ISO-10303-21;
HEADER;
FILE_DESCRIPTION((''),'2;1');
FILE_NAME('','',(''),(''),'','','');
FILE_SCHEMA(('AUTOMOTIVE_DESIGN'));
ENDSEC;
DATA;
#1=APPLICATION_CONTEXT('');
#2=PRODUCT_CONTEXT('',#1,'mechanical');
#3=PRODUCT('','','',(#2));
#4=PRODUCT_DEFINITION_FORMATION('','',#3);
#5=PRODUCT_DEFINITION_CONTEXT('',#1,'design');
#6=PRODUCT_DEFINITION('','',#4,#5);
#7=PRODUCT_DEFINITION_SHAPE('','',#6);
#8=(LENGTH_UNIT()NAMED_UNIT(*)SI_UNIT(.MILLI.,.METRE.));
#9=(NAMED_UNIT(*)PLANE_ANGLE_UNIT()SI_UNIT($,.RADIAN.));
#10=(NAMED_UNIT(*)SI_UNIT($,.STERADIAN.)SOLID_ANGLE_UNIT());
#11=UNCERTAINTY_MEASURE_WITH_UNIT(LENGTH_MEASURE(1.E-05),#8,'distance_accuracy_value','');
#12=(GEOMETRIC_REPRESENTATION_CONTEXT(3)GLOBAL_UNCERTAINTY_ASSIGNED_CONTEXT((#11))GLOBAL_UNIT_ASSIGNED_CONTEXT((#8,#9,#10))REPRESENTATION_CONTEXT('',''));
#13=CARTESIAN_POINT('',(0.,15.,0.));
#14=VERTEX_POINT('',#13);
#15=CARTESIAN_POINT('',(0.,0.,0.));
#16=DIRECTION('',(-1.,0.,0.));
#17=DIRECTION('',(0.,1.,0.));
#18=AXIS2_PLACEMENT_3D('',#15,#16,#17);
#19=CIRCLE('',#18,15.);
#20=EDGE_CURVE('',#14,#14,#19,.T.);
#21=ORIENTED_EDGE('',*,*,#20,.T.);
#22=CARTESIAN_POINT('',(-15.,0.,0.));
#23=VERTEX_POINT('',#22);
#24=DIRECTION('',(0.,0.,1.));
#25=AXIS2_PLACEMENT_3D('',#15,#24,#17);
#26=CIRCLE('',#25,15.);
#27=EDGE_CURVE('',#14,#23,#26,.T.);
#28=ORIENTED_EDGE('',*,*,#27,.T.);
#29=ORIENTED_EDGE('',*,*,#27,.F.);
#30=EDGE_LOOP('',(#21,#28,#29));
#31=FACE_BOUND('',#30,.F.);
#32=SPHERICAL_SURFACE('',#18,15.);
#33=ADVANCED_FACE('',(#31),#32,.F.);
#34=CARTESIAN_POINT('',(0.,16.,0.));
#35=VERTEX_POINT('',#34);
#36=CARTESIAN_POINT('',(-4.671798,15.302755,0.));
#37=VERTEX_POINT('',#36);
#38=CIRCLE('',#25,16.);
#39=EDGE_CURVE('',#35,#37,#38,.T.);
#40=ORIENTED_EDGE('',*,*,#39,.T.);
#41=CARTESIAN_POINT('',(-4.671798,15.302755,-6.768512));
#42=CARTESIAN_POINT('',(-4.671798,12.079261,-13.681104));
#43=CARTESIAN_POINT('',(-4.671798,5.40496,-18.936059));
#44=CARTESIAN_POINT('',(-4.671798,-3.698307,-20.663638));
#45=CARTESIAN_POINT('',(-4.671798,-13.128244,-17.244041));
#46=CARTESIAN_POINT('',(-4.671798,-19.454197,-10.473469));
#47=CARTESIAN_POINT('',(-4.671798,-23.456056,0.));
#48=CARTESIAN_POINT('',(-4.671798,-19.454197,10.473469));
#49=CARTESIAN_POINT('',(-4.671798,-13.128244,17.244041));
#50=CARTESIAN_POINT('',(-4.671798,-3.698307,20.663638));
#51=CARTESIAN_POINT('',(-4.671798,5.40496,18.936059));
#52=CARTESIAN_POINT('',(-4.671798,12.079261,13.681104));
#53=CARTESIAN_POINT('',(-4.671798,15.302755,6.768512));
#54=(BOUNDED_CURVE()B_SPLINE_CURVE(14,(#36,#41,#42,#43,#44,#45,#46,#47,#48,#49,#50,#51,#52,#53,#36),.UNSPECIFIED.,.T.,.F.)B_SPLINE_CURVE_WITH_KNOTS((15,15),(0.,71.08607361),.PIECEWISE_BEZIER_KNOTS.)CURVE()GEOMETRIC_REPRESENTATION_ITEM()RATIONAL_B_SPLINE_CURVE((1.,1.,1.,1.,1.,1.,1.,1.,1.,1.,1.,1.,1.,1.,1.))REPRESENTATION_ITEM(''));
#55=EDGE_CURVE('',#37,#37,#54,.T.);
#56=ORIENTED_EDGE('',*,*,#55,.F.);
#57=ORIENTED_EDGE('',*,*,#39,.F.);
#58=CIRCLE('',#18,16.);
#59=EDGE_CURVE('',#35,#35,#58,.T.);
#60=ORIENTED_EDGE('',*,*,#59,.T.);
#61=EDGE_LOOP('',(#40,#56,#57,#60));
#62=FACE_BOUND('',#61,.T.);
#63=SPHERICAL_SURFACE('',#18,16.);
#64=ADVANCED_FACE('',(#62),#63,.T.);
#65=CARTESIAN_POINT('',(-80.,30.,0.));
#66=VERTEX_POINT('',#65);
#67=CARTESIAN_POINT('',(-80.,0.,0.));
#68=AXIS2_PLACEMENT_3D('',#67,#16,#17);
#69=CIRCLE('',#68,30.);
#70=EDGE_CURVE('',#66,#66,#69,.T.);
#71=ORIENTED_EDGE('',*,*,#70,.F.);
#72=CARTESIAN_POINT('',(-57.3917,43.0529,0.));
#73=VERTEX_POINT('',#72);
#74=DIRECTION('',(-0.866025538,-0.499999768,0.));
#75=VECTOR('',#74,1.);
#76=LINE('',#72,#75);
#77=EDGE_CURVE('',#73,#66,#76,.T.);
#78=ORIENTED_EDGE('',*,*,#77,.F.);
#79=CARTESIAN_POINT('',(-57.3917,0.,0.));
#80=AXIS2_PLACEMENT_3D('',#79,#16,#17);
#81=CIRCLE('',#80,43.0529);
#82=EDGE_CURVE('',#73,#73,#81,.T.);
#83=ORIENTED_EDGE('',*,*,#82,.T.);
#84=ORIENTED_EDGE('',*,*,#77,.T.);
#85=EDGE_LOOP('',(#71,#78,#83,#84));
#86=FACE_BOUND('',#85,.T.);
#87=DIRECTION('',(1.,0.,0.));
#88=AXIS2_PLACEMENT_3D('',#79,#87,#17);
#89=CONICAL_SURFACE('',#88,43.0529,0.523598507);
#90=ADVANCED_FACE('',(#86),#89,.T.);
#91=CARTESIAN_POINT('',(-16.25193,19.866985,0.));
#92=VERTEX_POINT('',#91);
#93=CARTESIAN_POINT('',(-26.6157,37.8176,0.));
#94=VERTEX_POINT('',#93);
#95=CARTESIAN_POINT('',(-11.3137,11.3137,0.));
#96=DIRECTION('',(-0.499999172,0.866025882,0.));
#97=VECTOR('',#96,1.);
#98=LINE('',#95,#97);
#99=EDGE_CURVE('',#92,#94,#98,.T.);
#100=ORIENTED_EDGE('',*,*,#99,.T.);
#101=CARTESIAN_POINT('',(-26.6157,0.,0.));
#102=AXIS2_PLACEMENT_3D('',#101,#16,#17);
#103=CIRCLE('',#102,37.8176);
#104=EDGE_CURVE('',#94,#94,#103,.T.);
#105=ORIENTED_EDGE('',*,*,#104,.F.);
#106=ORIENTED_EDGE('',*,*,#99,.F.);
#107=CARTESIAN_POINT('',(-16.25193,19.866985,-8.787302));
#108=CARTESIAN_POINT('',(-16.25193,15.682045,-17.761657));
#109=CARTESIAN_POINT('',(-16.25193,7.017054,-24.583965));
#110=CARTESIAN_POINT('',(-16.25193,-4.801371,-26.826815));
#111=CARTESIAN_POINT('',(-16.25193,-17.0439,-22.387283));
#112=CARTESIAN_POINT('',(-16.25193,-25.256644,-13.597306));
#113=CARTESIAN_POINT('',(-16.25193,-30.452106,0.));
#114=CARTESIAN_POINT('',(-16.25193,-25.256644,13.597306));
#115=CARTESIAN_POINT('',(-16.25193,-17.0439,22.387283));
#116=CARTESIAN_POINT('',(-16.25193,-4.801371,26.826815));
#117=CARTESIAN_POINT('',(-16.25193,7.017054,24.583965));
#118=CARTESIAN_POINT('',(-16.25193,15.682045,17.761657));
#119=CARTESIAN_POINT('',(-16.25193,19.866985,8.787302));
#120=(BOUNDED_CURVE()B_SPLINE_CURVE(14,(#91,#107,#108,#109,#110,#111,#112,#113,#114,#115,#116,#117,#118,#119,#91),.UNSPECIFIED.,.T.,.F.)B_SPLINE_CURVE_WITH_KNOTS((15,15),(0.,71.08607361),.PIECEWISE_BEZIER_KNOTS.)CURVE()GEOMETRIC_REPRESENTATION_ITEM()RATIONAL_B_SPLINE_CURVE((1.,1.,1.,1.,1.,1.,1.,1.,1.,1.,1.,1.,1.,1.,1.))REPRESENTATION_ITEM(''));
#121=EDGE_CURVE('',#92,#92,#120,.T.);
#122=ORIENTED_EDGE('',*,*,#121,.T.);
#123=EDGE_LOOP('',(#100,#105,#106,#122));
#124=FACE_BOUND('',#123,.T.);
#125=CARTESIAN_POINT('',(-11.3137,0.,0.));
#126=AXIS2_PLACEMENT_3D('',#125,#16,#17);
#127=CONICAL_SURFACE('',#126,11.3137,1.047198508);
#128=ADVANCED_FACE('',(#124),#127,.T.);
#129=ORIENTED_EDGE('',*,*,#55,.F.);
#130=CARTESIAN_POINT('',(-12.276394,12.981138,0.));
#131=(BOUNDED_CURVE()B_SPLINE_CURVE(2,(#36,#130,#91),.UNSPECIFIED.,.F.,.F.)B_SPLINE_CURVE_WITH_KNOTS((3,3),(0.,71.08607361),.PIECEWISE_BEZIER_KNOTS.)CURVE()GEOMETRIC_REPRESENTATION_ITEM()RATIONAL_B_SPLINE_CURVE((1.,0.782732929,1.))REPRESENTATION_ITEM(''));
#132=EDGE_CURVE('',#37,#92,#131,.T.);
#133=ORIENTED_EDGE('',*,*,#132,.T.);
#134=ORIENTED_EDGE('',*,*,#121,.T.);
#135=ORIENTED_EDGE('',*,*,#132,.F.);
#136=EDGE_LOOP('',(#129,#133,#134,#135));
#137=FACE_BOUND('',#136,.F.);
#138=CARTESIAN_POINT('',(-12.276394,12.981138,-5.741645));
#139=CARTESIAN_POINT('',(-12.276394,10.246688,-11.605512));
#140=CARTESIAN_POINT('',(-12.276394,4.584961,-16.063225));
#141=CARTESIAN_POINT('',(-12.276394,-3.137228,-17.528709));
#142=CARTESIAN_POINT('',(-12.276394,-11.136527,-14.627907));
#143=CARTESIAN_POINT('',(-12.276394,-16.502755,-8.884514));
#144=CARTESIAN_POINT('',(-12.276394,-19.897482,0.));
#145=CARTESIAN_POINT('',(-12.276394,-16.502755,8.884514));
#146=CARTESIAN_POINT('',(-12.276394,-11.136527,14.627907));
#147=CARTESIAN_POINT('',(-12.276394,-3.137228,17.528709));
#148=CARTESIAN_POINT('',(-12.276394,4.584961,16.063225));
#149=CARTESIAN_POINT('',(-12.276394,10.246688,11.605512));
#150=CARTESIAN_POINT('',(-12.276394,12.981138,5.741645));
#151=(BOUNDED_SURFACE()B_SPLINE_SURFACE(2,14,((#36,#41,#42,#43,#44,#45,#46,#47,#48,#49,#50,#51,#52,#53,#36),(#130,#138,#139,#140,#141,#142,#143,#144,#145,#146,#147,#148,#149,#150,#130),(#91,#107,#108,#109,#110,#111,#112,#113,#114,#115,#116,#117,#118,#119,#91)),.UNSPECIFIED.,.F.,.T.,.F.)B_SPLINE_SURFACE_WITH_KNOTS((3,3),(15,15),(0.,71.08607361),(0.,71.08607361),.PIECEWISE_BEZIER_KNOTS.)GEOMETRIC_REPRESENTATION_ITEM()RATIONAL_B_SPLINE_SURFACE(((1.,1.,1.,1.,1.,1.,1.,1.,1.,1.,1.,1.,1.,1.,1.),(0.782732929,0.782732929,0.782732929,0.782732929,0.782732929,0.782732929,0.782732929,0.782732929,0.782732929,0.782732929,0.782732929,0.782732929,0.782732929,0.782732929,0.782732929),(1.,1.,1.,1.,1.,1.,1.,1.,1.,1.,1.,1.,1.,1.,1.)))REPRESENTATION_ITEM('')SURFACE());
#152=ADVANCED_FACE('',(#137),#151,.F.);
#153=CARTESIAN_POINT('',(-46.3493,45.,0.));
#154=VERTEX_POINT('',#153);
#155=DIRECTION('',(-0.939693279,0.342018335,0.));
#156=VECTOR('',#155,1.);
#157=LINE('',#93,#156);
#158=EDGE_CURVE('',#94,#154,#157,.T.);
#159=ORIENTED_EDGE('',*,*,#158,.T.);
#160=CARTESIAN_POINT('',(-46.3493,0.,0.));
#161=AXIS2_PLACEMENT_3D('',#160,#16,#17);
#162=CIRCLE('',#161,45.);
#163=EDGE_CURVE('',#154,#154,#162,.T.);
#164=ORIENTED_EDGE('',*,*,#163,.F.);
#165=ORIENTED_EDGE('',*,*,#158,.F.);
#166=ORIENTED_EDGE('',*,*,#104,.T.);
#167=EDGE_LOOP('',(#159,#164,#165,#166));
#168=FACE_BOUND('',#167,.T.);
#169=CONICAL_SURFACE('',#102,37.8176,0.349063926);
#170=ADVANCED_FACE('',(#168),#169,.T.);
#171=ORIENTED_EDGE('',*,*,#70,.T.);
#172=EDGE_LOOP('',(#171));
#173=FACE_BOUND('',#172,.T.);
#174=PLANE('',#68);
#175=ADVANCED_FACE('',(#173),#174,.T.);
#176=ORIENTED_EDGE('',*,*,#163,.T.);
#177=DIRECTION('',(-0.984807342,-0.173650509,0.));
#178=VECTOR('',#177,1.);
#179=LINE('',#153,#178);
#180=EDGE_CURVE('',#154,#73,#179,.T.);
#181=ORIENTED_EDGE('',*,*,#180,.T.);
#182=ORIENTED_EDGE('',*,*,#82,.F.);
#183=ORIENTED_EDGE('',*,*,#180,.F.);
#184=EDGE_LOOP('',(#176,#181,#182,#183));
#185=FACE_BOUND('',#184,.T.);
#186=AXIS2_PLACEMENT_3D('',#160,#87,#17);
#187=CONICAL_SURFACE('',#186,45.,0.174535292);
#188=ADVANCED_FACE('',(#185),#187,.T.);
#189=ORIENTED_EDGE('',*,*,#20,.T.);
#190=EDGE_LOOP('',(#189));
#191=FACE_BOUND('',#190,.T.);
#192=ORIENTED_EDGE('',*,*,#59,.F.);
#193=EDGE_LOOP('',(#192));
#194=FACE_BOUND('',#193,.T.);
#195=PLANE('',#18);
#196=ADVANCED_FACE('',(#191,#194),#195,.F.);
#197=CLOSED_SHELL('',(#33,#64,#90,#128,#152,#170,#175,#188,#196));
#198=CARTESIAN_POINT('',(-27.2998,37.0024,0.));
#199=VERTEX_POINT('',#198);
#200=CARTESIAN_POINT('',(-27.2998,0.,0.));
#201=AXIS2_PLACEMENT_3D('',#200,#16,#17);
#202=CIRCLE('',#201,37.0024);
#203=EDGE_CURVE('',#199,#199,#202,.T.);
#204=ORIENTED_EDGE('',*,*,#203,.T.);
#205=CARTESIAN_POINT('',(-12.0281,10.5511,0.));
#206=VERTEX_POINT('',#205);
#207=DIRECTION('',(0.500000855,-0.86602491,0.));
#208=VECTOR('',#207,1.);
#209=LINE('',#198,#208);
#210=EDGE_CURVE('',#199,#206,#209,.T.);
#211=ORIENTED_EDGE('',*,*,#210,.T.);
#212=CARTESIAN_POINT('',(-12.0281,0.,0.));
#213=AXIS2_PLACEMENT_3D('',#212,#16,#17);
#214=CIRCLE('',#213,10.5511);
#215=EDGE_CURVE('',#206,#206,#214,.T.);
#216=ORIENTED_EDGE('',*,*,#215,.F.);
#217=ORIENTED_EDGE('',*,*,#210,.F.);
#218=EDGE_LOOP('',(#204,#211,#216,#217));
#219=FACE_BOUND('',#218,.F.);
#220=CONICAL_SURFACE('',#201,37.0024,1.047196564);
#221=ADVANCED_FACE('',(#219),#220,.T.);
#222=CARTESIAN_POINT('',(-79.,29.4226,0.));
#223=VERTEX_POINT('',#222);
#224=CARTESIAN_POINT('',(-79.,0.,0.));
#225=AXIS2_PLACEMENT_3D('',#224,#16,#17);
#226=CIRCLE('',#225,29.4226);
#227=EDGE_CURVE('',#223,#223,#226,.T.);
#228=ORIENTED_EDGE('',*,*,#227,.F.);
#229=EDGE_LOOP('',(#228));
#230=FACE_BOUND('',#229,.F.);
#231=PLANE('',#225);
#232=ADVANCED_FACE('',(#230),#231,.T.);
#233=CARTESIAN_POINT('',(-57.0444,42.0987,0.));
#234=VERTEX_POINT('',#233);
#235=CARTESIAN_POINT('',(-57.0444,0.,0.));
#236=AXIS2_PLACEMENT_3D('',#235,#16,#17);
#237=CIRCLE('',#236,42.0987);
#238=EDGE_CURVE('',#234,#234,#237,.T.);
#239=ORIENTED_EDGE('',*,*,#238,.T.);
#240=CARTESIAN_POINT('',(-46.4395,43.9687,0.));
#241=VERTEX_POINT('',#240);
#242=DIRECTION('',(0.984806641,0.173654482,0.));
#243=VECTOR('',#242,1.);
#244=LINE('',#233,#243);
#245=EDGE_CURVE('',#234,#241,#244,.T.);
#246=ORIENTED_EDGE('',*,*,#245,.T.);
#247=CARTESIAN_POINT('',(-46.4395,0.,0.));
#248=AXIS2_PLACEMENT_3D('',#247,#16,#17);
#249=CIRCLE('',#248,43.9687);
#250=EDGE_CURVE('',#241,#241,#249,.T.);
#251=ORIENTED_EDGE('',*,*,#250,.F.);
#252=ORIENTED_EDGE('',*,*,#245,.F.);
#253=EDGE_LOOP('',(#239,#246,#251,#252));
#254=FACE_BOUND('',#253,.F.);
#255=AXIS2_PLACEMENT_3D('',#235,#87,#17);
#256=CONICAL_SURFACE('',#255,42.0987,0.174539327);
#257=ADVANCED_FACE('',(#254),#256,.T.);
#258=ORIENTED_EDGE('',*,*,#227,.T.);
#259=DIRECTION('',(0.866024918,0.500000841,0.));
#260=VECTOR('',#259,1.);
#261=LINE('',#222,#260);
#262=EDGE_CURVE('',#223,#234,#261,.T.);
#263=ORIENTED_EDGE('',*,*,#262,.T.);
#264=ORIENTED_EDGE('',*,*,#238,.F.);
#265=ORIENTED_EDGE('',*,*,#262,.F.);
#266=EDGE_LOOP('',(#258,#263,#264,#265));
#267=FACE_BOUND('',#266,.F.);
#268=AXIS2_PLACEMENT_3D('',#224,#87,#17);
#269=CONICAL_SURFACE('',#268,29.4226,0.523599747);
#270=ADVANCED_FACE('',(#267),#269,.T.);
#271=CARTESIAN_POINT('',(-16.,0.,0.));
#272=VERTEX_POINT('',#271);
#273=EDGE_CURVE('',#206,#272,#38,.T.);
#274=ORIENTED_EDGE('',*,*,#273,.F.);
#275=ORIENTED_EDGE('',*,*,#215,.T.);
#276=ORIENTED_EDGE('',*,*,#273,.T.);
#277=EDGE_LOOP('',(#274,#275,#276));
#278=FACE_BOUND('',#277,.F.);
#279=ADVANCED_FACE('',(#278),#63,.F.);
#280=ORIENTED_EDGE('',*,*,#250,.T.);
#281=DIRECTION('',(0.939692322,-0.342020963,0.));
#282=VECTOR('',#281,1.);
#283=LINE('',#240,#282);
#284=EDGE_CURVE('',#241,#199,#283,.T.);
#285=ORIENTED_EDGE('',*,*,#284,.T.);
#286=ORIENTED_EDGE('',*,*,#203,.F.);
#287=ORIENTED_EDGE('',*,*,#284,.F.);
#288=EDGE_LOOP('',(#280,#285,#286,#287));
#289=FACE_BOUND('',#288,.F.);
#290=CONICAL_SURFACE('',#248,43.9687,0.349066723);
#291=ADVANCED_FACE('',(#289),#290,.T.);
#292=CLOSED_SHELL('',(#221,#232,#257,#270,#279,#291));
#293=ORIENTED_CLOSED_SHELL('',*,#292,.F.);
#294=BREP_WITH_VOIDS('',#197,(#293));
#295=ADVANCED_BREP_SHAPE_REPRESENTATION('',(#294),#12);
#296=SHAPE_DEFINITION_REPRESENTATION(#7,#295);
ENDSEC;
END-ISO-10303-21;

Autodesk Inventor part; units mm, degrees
ref_plane "YZ Plane" through (0, 0, 0) normal (1, 0, 0) x (0, 1, 0)
ref_plane "XZ Plane" through (0, 0, 0) normal (0, 1, 0) x (-1, 0, 0)
ref_plane "XY Plane" through (0, 0, 0) normal (0, 0, 1) x (1, 0, 0)
sketch "Sketch3" plane through (0, 0, 0) normal (0, 0, 1) x (1, 0, 0)
  line L0 (0, 0) -> (-80, 0)
  line L1 (0, 0) -> (0, 15)
  arc A0 (0, 15) -> (-15, 0) centre (0, 0) ccw
  line L2 (0, 15) -> (0, 16)
  arc A1 (0, 16) -> (-16, 0) centre (0, 0) ccw
  line L3 (-11.3137, 11.3137) -> (-26.6157, 37.8176)
  line L4 (-26.6157, 37.8176) -> (-46.3493, 45)
  line L5 (-46.3493, 45) -> (-57.3917, 43.0529)
  line L6 (-57.3917, 43.0529) -> (-80, 30)
  line L7 (-80, 30) -> (-80, 0)
  line L8 (-79, 0) -> (-79, 29.4226)
  line L9 (-79, 29.4226) -> (-57.0444, 42.0987)
  line L10 (-57.0444, 42.0987) -> (-46.4395, 43.9687)
  line L11 (-46.4395, 43.9687) -> (-27.2998, 37.0024)
  line L12 (-27.2998, 37.0024) -> (-12.0281, 10.5511)
  dimension "d14" = 15
  dimension "d15" = 1
  dimension "d16" = 90
  dimension "d17" = 120
  dimension "d18" = 160
  dimension "d19" = 150
  dimension "d20" = 40
  dimension "d21" = 30
  dimension "d22" = 80
  dimension "d23" = 21
  dimension "d24" = 1
revolve "Revolution2" add sketch "Sketch3" angle 360 about axis through (0, 0, 0) along (-1, 0, 0) contours L0 A1 L2 A0 | L0 L7 L6 L5 L4 L3 A1 L12 L11 L10 L9 L8
fillet "Fillet2" radius 10 1 edges at (-11.3137, -11.3137, 0)
properties part number "cola"
